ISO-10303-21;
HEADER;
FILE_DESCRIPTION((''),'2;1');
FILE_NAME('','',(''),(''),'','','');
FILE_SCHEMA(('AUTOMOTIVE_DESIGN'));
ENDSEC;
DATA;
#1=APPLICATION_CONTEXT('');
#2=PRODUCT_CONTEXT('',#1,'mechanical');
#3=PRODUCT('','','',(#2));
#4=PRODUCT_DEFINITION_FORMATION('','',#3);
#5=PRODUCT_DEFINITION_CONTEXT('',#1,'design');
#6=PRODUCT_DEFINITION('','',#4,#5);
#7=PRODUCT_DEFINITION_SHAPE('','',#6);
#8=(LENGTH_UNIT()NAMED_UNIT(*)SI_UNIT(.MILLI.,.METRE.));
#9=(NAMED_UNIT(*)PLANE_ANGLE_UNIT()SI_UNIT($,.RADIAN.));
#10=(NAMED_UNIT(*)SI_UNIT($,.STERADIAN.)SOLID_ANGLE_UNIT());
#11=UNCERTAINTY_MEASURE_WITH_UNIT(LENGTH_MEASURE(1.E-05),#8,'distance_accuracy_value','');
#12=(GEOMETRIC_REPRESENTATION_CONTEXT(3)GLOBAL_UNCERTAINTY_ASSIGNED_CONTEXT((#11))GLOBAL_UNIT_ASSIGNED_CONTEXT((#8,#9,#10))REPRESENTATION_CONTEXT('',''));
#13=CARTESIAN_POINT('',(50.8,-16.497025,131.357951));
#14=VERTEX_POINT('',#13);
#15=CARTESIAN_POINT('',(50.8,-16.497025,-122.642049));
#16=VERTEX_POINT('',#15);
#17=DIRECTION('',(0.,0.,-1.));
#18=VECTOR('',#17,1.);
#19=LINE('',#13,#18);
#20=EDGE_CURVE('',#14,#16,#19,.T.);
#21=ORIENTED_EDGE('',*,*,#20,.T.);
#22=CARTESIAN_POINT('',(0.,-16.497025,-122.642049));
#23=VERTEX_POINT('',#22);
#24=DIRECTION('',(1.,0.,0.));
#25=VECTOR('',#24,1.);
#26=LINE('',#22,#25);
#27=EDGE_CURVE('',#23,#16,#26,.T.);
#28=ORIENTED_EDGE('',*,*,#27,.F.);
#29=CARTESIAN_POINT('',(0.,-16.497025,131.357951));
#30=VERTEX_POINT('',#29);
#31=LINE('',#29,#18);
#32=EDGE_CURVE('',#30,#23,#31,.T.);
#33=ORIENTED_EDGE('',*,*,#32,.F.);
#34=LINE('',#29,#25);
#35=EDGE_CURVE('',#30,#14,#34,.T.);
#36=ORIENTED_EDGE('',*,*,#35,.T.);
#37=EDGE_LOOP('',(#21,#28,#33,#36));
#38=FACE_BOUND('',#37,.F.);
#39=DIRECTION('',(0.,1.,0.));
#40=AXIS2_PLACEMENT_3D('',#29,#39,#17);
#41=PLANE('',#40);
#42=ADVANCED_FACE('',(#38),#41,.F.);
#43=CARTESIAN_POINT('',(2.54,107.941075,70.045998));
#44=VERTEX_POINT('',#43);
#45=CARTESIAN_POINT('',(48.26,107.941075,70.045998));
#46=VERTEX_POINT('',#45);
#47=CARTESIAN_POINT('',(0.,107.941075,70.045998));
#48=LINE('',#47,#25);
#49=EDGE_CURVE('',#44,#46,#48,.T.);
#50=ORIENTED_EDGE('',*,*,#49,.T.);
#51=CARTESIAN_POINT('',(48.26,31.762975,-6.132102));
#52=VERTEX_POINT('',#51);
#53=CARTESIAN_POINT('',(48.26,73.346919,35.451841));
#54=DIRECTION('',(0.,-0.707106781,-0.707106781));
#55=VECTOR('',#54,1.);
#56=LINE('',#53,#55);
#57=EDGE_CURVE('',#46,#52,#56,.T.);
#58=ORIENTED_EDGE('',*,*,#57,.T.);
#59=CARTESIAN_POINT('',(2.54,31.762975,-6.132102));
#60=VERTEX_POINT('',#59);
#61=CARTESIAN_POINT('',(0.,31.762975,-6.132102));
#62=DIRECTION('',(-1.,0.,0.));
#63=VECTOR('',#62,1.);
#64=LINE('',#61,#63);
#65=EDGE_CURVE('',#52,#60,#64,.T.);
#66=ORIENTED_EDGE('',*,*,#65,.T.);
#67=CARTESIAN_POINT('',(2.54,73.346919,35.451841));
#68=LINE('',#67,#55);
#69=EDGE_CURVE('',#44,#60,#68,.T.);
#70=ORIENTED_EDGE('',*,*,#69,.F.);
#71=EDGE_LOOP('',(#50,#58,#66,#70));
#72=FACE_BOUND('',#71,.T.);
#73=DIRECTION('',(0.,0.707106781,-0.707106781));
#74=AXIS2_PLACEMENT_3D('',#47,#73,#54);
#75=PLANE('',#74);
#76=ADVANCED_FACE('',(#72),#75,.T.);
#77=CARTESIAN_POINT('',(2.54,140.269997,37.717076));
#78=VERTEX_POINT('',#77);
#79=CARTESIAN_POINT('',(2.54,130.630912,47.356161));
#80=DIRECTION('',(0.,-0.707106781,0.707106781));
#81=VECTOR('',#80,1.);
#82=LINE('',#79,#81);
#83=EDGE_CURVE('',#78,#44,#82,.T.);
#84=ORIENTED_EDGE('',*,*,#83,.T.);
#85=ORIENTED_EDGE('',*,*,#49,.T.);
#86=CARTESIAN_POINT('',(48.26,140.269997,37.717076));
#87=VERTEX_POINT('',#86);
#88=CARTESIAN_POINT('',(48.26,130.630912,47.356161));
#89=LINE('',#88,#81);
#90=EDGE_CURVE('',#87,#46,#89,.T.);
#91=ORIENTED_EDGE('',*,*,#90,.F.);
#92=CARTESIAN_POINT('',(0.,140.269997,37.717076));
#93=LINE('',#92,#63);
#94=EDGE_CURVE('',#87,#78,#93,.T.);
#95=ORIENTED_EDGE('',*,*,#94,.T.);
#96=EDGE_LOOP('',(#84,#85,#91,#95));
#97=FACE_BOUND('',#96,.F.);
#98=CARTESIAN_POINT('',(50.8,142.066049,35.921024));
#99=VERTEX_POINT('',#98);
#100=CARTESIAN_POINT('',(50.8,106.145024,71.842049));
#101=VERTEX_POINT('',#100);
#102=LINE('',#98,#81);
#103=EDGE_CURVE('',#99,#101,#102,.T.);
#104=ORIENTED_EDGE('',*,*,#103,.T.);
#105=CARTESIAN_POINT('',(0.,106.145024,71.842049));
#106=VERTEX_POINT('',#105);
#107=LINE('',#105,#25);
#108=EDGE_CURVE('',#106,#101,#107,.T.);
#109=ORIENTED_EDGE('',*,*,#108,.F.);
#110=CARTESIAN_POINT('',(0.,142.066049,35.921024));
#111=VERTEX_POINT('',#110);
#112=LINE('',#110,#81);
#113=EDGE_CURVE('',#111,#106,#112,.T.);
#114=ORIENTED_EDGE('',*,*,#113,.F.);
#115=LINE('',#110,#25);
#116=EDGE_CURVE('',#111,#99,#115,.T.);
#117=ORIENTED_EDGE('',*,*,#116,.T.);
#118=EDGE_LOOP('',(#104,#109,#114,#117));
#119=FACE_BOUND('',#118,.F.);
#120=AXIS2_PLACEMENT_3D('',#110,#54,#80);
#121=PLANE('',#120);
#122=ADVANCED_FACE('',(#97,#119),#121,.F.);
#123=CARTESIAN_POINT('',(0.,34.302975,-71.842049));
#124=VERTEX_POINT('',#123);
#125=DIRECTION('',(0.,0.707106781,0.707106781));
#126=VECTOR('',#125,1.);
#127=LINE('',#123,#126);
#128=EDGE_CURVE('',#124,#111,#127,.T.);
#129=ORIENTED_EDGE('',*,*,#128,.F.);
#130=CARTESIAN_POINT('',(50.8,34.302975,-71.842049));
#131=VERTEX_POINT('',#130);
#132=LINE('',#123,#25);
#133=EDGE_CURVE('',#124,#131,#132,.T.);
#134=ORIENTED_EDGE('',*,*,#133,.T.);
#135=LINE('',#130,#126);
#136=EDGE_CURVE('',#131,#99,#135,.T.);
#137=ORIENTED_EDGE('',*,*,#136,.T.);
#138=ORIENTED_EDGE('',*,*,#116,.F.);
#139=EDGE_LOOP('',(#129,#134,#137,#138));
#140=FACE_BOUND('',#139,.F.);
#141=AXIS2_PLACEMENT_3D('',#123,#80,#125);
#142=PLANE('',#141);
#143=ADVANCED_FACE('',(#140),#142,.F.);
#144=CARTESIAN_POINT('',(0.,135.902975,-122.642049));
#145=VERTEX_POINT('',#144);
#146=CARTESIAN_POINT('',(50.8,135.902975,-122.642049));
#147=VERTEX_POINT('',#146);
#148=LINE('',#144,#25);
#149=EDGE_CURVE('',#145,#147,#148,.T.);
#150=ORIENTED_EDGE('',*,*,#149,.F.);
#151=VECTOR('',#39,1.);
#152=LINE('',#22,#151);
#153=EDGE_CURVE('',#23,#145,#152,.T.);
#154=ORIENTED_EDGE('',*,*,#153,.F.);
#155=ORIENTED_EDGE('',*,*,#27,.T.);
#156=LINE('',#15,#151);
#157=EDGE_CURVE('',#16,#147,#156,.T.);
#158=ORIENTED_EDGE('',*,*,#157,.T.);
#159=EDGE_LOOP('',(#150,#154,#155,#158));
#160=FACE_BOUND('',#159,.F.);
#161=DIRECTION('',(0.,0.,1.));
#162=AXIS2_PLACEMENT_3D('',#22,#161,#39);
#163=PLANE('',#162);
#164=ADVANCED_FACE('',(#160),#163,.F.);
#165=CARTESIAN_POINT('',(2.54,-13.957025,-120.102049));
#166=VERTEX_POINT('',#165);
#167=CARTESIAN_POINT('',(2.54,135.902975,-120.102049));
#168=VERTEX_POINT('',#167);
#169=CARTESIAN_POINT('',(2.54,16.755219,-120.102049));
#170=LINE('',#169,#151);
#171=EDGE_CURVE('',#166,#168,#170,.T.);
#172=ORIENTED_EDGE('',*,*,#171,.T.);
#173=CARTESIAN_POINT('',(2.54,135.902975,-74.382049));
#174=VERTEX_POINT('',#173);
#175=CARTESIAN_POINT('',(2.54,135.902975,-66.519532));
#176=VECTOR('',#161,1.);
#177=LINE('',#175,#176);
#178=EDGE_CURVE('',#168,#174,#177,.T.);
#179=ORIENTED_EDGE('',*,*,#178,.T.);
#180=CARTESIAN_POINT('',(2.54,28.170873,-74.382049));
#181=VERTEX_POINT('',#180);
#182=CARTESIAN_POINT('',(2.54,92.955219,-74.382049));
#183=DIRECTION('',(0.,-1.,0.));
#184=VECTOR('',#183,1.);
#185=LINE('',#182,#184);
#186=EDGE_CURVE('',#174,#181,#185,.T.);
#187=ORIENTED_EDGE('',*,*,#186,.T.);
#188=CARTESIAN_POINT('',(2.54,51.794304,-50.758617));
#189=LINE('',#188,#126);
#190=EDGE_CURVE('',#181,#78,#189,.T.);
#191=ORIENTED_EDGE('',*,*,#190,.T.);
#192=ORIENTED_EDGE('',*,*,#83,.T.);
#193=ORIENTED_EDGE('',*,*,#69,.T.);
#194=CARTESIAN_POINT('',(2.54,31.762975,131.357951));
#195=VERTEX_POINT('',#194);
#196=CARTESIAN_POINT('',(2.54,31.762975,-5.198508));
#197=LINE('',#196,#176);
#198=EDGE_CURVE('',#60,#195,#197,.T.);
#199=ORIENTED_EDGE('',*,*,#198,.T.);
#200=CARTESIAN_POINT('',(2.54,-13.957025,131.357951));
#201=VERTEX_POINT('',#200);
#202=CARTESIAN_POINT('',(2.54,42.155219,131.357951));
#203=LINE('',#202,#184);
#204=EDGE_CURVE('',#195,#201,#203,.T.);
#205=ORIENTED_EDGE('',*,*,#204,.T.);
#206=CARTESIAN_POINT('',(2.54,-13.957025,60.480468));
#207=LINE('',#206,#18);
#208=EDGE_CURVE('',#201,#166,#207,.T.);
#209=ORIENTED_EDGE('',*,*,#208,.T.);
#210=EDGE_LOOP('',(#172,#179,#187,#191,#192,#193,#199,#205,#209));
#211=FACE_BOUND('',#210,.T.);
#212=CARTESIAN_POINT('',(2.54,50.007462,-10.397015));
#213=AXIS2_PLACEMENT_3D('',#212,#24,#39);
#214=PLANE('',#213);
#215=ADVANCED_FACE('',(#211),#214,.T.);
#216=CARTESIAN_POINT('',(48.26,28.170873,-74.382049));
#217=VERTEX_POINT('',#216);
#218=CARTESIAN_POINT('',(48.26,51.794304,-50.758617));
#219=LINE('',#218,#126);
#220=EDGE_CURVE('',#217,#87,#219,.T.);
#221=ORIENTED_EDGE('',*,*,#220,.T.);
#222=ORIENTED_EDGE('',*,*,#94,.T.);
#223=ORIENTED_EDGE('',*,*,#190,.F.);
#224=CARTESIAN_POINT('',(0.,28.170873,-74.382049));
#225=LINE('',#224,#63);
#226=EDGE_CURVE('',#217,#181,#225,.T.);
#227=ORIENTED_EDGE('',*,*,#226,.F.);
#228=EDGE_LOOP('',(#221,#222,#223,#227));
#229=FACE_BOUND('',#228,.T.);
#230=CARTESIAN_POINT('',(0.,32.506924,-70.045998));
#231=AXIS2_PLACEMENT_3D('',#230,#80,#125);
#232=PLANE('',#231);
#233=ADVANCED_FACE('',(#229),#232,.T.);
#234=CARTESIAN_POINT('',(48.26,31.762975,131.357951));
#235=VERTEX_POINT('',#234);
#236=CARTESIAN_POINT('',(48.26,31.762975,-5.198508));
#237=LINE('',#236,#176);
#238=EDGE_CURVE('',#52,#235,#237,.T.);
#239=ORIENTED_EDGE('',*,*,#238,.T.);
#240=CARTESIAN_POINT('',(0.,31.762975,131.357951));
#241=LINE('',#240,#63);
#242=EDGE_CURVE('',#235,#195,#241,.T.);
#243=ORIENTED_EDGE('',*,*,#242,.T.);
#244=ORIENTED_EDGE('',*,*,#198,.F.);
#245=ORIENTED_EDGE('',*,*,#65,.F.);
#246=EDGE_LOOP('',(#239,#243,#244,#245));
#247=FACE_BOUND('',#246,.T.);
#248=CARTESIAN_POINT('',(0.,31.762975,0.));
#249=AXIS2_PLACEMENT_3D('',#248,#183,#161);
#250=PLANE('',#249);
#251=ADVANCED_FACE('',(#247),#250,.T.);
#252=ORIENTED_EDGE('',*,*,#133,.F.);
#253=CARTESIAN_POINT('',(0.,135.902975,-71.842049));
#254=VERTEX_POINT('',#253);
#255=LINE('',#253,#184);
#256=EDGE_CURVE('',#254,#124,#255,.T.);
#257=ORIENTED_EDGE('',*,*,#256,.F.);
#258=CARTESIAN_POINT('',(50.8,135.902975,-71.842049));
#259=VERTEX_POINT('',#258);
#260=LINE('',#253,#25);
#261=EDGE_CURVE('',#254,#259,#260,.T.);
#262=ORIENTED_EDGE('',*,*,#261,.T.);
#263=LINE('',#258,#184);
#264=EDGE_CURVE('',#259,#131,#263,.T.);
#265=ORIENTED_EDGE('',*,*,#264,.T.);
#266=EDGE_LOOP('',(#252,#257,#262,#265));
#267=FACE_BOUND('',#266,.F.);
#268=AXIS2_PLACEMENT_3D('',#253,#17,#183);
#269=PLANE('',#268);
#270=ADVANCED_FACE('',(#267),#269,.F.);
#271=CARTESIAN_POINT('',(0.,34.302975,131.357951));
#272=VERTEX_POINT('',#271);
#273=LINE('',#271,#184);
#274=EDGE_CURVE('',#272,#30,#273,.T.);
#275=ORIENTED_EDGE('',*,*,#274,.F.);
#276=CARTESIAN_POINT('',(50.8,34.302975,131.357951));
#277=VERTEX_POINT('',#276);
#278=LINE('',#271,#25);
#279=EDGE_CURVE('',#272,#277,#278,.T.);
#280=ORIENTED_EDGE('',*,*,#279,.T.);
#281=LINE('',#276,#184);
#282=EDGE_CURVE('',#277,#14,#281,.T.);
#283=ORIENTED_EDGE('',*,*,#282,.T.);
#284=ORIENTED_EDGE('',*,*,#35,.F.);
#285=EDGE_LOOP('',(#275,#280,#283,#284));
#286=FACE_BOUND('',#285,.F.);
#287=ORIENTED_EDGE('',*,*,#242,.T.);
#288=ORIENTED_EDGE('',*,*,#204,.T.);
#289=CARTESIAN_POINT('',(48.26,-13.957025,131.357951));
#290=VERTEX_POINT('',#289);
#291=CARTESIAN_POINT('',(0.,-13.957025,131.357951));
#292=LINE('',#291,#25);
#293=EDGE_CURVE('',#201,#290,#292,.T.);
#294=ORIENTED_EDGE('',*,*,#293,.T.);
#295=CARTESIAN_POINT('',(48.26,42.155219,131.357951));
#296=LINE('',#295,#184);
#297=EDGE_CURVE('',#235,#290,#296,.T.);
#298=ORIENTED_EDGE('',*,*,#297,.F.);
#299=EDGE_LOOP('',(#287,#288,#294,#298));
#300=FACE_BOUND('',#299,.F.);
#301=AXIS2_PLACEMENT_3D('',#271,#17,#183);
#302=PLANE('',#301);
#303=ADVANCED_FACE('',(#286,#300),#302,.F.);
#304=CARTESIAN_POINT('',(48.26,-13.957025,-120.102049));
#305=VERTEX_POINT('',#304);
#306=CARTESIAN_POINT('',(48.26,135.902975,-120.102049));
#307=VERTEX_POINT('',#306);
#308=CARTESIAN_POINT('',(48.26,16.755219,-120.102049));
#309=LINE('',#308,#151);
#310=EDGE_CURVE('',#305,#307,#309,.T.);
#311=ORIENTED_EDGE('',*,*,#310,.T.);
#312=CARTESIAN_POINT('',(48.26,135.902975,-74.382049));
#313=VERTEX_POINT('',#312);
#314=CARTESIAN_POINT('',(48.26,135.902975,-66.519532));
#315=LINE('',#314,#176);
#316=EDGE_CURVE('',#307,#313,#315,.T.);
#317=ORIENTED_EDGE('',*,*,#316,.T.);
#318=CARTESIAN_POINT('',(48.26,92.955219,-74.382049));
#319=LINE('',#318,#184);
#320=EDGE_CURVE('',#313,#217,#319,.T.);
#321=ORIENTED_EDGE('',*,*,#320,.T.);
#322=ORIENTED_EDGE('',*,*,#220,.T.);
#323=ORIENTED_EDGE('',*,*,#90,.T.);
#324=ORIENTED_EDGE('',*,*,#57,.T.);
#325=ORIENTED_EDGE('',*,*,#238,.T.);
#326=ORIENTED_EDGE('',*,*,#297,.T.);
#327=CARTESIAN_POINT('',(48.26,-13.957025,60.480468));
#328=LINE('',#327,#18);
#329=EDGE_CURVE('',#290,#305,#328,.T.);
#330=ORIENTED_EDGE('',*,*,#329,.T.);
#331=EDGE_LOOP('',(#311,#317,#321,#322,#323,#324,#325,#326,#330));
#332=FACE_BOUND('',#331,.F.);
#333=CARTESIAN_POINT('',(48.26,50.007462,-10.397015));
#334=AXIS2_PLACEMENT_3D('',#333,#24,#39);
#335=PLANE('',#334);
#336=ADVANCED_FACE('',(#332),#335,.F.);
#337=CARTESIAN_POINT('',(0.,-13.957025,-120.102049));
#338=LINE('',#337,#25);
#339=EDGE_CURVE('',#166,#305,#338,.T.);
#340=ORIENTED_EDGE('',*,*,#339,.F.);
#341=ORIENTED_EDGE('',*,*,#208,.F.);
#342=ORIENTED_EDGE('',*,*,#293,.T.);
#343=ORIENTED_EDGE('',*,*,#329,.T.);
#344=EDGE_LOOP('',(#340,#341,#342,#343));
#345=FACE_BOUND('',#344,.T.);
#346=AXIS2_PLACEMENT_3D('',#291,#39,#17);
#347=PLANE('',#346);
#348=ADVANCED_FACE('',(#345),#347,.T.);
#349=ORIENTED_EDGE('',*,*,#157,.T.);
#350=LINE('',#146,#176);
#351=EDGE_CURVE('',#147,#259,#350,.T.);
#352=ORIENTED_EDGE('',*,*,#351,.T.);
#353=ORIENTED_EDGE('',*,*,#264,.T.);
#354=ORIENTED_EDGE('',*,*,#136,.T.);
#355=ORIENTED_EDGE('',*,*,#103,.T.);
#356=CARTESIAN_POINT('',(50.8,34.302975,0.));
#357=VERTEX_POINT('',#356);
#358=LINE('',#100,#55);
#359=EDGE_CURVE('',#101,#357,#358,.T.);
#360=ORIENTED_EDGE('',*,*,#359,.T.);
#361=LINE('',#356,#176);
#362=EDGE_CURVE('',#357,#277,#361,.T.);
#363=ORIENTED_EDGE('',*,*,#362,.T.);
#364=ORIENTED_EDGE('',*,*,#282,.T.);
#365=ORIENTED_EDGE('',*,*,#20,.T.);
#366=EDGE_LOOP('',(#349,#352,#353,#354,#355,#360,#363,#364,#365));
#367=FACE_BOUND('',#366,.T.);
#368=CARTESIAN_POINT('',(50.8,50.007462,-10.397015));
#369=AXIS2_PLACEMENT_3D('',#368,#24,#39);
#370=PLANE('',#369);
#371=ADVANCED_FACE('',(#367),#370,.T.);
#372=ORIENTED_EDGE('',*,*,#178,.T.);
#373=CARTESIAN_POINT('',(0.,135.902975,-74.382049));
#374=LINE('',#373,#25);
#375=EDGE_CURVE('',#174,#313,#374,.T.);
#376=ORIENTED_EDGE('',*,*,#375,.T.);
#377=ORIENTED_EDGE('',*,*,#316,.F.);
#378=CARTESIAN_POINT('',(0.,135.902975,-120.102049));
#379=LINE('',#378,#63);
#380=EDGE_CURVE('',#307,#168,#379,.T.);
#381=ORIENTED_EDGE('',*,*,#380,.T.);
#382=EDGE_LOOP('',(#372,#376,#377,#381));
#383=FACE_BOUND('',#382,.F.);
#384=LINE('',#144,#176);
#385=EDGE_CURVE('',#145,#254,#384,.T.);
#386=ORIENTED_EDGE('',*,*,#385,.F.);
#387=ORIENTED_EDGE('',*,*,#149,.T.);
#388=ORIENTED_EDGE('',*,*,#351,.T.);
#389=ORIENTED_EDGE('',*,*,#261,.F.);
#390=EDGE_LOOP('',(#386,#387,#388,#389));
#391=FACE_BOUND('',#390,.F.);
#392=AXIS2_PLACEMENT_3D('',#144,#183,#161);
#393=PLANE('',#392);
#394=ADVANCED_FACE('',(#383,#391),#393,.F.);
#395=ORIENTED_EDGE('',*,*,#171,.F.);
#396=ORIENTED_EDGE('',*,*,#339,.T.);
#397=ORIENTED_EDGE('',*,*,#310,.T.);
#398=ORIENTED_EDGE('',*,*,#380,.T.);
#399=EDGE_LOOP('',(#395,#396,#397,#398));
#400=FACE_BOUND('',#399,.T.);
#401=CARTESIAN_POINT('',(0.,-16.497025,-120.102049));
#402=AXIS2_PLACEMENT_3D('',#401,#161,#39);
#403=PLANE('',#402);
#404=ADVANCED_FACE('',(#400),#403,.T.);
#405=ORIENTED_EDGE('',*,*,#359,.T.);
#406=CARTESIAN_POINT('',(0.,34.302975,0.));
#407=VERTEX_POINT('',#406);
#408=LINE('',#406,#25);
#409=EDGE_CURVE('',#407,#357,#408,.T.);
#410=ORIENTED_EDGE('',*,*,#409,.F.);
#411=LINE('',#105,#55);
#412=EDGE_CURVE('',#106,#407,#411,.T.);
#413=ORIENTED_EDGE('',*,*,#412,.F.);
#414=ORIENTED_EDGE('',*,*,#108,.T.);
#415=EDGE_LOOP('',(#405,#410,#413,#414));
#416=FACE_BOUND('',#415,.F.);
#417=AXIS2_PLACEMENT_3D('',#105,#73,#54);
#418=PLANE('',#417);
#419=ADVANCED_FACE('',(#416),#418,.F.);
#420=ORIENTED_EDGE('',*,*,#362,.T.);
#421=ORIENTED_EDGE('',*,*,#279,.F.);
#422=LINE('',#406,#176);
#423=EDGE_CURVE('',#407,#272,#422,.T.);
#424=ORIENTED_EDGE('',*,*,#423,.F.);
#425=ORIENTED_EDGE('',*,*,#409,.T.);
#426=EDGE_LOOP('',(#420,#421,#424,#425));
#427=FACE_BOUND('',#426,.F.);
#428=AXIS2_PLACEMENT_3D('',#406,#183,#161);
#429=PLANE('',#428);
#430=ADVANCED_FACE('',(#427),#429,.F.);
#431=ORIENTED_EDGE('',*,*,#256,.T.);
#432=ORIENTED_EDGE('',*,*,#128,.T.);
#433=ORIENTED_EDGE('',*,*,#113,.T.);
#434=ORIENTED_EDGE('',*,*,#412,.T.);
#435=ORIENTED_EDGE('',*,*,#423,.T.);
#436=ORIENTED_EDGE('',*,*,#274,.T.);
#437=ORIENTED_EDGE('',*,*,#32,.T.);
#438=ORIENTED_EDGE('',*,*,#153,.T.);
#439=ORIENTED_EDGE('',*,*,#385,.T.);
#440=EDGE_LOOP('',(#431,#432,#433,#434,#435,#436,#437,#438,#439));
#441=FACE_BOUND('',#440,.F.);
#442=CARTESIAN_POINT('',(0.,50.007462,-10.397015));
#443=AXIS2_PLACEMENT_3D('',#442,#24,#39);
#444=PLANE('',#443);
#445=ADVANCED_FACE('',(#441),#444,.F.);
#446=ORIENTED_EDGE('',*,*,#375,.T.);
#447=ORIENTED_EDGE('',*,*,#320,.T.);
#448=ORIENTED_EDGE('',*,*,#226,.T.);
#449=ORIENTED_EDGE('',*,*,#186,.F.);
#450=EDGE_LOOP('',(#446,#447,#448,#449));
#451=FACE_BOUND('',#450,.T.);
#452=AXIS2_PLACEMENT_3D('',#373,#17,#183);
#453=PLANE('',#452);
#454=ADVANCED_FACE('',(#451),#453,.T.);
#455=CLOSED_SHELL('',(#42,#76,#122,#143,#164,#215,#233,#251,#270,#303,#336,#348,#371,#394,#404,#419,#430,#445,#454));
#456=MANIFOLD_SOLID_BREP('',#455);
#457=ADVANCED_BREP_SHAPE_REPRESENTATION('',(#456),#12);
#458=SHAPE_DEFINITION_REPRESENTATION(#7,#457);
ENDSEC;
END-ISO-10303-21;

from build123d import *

# Parameters (mm, degrees)
F1_DEPTH = 50.8
F2_T     = -2.54


with BuildPart() as f1:
    # F0 (on Right) → F1 (new body)
    with BuildSketch(Plane.YZ):
        Polygon((34.302975136, 131.3579510314), (-16.497024864, 131.3579510314), (-16.497024864, -122.6420489686), (34.302975136, -122.6420489686), (135.902975136, -122.6420489686), (135.902975136, -71.8420489686), (34.302975136, -71.8420489686), (142.0660485888, 35.9210244843), (106.1450241045, 71.8420489686), (34.302975136, 0), align=None)
    extrude(amount=F1_DEPTH)

    # F2
    f2_openings = [f1.faces().sort_by_distance(p)[0] for p in [
        (25.4, 8.902975, 131.357951),
        (25.4, 124.105536, 53.881537),
        (25.4, 135.902975, -97.242049),
    ]]
    offset(amount=F2_T, openings=f2_openings, kind=Kind.INTERSECTION)


solid = f1.part
